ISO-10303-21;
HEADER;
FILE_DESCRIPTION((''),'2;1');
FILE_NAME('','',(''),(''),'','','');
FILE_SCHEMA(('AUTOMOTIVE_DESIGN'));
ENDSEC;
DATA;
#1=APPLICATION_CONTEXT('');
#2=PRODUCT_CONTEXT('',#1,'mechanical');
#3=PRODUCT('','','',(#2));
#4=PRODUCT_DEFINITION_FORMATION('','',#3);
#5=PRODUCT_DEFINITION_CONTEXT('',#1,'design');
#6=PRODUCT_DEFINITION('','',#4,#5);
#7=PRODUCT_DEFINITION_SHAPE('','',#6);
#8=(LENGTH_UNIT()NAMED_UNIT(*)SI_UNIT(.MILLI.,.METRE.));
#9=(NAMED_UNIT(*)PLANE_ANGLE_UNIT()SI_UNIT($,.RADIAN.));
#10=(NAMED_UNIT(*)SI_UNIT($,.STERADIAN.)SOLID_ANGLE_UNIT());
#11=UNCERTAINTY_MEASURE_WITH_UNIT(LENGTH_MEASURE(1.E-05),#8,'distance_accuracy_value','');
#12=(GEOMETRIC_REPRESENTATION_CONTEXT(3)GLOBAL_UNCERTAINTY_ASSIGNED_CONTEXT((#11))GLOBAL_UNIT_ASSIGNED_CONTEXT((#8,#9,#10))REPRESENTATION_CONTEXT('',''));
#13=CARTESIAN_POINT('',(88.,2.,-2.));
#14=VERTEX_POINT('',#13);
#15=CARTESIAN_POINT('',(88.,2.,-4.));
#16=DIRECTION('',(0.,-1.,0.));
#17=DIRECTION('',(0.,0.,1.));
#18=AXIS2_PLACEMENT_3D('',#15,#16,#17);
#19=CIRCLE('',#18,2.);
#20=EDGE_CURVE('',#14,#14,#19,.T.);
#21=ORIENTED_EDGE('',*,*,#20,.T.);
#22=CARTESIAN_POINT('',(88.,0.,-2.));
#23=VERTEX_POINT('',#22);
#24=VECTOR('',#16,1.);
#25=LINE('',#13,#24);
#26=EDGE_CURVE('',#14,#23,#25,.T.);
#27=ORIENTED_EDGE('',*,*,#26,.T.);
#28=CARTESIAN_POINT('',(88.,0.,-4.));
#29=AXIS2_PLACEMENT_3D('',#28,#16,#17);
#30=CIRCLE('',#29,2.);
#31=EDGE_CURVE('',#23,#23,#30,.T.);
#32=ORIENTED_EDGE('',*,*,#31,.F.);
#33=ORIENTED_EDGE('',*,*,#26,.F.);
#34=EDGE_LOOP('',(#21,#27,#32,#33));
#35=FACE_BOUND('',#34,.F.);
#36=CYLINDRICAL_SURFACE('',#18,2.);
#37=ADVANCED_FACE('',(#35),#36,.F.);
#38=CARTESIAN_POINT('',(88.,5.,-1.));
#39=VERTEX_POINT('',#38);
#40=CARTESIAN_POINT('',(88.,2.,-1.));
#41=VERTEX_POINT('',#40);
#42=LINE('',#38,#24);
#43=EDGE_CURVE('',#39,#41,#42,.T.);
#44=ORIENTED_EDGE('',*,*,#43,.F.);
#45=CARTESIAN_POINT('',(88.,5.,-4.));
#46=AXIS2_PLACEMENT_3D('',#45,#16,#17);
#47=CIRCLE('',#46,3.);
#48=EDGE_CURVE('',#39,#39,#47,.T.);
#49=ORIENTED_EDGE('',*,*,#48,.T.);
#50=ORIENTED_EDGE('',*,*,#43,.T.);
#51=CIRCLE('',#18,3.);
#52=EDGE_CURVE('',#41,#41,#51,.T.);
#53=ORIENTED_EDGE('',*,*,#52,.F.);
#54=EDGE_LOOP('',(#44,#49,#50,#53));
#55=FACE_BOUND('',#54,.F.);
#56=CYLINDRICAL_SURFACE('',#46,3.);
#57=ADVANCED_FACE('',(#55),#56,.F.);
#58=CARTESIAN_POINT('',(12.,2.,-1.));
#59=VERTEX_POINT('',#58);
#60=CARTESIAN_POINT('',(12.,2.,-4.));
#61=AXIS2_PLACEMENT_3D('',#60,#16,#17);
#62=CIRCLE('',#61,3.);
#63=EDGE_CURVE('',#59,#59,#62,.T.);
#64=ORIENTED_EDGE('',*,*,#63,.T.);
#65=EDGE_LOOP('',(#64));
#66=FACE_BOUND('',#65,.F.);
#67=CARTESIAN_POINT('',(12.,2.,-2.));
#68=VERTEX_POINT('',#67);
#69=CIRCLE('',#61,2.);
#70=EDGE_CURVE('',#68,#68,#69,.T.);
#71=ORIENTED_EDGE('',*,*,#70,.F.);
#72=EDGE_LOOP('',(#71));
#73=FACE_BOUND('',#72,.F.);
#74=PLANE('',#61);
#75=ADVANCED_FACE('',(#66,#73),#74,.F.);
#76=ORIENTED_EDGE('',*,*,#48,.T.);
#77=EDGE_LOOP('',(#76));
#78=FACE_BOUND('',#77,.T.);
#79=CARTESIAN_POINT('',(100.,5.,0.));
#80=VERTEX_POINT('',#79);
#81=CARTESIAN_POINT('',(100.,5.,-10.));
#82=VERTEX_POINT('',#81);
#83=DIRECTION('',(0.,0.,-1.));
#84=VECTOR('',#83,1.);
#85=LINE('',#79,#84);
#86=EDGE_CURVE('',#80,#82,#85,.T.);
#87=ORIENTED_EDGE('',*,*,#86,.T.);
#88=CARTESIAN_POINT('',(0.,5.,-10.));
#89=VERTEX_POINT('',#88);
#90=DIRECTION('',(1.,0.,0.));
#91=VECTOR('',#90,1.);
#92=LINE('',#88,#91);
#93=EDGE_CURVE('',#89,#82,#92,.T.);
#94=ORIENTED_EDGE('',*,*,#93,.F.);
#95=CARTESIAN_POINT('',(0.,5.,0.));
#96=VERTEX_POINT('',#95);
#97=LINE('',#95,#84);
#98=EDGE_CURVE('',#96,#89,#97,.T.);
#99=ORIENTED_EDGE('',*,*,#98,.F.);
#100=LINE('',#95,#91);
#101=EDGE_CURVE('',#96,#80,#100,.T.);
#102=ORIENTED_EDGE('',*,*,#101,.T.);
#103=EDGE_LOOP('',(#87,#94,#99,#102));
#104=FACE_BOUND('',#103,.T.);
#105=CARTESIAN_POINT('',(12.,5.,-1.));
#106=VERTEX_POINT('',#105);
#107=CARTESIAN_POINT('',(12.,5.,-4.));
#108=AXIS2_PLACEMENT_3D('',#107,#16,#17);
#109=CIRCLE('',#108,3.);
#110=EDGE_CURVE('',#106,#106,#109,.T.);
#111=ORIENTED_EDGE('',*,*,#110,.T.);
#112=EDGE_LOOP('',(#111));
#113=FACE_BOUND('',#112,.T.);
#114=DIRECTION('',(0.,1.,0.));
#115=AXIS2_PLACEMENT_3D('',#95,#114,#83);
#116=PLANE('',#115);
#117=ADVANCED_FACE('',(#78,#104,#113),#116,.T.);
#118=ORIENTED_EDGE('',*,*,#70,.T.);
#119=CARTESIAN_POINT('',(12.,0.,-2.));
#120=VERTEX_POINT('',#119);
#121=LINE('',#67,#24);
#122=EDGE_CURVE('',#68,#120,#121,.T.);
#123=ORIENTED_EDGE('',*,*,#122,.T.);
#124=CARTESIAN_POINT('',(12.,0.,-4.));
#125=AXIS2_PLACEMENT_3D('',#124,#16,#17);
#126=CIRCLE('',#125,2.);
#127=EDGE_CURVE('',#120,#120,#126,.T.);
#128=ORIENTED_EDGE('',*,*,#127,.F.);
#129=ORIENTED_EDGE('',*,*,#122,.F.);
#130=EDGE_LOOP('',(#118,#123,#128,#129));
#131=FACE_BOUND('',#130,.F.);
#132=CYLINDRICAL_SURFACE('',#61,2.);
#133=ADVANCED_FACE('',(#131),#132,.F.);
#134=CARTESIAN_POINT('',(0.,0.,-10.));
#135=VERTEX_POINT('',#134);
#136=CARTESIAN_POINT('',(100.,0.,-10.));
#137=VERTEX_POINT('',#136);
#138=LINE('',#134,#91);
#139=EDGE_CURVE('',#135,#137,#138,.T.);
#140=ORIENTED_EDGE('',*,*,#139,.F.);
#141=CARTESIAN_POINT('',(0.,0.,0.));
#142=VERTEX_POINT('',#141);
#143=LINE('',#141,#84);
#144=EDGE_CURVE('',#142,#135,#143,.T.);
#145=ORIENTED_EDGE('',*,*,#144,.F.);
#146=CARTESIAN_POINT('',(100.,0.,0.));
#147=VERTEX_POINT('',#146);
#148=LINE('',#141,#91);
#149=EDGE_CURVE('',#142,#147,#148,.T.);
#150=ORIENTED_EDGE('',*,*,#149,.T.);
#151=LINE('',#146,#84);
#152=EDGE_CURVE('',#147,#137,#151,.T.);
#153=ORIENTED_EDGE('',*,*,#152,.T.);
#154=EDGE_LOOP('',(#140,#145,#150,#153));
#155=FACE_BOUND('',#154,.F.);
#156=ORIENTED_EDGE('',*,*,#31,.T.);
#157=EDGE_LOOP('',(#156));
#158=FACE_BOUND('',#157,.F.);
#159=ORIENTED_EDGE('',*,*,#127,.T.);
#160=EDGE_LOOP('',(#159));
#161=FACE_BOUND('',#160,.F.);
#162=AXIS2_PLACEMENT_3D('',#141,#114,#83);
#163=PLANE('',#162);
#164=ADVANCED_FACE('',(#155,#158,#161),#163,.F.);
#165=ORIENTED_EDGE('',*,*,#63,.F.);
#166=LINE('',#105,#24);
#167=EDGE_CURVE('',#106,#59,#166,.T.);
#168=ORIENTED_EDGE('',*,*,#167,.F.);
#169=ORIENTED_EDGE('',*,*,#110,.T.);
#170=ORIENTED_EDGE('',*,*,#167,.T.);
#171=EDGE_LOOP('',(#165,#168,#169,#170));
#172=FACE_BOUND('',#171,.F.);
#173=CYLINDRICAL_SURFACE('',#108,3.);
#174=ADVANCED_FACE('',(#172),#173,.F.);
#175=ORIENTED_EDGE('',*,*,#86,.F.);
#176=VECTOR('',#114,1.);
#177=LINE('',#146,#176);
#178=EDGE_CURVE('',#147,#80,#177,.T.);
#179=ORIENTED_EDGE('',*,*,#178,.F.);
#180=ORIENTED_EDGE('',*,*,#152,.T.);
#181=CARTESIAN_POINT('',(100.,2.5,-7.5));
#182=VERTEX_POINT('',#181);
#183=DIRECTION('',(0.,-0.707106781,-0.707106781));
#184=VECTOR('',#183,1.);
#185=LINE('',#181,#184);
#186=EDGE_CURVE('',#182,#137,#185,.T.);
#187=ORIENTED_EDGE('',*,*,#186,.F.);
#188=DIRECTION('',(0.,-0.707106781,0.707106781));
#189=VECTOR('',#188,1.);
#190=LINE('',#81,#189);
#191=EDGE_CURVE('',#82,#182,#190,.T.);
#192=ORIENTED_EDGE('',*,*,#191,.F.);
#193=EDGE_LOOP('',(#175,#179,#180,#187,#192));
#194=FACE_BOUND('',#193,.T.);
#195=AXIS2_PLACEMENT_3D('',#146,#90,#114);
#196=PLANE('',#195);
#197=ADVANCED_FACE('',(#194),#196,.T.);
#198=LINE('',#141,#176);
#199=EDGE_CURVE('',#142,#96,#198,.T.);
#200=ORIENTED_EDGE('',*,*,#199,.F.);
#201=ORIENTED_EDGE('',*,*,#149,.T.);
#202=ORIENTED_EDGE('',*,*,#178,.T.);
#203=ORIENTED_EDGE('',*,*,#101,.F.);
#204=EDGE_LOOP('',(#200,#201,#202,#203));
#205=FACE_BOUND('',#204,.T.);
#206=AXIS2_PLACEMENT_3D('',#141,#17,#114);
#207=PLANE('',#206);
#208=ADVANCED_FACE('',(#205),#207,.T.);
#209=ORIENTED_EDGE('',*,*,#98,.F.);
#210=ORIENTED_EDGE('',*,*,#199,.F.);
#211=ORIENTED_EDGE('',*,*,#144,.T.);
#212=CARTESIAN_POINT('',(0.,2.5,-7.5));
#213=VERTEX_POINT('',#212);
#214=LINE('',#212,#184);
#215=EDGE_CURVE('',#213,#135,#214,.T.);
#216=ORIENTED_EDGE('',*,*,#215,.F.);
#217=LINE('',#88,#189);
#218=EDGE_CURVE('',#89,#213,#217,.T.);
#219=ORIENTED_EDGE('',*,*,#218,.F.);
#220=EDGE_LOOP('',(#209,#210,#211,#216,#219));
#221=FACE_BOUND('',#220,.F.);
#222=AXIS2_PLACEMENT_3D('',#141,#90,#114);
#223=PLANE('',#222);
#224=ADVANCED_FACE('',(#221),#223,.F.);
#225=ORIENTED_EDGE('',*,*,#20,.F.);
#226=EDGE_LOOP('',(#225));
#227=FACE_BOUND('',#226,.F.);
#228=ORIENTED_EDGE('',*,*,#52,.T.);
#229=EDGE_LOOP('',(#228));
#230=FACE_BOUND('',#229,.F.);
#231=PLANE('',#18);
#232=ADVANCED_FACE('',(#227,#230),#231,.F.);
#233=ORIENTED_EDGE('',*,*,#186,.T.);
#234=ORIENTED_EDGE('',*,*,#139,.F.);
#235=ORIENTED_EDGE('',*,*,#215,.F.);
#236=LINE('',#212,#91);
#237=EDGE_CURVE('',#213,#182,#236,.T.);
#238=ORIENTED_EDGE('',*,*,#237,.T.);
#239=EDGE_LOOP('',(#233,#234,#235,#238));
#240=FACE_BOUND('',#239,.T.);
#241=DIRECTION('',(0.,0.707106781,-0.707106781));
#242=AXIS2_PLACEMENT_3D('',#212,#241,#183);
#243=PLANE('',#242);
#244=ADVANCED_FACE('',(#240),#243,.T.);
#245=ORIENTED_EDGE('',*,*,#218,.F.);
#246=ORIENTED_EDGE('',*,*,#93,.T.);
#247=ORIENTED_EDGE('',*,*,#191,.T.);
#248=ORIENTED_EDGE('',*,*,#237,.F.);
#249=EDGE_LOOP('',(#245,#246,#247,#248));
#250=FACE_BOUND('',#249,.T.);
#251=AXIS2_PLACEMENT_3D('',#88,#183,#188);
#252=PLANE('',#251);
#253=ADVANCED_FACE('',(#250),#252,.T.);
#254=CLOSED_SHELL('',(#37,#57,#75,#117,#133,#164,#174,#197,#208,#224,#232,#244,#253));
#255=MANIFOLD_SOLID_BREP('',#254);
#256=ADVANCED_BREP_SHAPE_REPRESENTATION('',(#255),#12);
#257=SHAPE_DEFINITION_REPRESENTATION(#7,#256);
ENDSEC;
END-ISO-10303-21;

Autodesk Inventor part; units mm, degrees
ref_plane "YZ Plane" through (0, 0, 0) normal (1, 0, 0) x (0, 1, 0)
ref_plane "XZ Plane" through (0, 0, 0) normal (0, 1, 0) x (-1, 0, 0)
ref_plane "XY Plane" through (0, 0, 0) normal (0, 0, 1) x (1, 0, 0)
sketch "Sketch1" plane through (0, 0, 0) normal (1, 0, 0) x (0, 1, 0)
  line L0 (0, 0) -> (5, 0)
  line L1 (5, 0) -> (5, -10)
  line L2 (5, -10) -> (2.5, -7.5)
  line L3 (2.5, -7.5) -> (0, -10)
  line L4 (0, 0) -> (0, -10)
  line L5 (2.5, -7.5) -> (2.5, -12.5) construction
  circle A0 centre (2.5, -10.3284) radius 2 construction
  line L6 (2.5, -10.3284) -> (1.25, -10.3284) construction
  line L7 (5, -10.6569) -> (2.5, -13.1569) construction
  line L8 (2.5, -13.1569) -> (0, -10.6569) construction
  dimension "d0" = 5
  dimension "d3" = 10
  dimension "d4" = 4
  dimension "d33" = 0.6569
  dimension "d34" = 5.6569
  dimension "d35" = 2.8284
extrude "Extrusion1" add sketch "Sketch1" along normal blind 100
sketch "Sketch2" plane through (0, 5, 0) normal (0, 1, 0) x (1, 0, 0)
  line L0 (0, 10) -> (0, 0) construction
  line L1 (0, 0) -> (100, 0) construction
  line L2 (0, 10) -> (100, 10) construction
  line L3 (12, 0) -> (12, 10) construction
  line L4 (50, 0) -> (50, 15) construction
  circle A0 centre (12, 4) radius 2
  circle A1 centre (88, 4) radius 2
  point P0 (0, 5)
  dimension "d8" = 10
  dimension "d10" = 12
  dimension "d12" = 15
  dimension "d13" = 50
  dimension "d14" = 4
  dimension "d15" = 4
hole "Hole1" at (12, 5, -4) direction (0, -1, 0) diameter 4 end through all counterbore diameter 6 counterbore depth 3
hole "Hole2" at (88, 5, -4) direction (0, -1, 0) diameter 4 end through all counterbore diameter 6 counterbore depth 3
sketch "Sketch3" plane through (100, 0, 0) normal (1, 0, 0) x (0, 0, -1)
  line L0 (0, 5) -> (0, 0) projected
  line L1 (0, 2.5) -> (3, 2.5) construction
  circle A0 centre (3, 2.5) radius 1.6
  dimension "d36" = 3
  dimension "d37" = 3.2
hole "Hole3" [suppressed]
chamfer "Chamfer2" [suppressed]
sketch "Sketch4" plane through (0, 0, 0) normal (-1, 0, 0) x (0, 0, 1)
  line L0 (0, 5) -> (0, 0) projected
  circle A0 centre (-3, 2.5) radius 1.7294 projected
  line L1 (0, 2.5) -> (-3, 2.5)
  circle A1 centre (-3, 2.5) radius 1.6
  line L2 (0, 5) -> (0, 0) projected
  dimension "d48" = 3.2
  dimension "d59" = 3
hole "Hole4" [suppressed]
chamfer "Chamfer3" [suppressed]
properties part number "K-tor-kulek" material "Steel, High Strength, Low Alloy"
